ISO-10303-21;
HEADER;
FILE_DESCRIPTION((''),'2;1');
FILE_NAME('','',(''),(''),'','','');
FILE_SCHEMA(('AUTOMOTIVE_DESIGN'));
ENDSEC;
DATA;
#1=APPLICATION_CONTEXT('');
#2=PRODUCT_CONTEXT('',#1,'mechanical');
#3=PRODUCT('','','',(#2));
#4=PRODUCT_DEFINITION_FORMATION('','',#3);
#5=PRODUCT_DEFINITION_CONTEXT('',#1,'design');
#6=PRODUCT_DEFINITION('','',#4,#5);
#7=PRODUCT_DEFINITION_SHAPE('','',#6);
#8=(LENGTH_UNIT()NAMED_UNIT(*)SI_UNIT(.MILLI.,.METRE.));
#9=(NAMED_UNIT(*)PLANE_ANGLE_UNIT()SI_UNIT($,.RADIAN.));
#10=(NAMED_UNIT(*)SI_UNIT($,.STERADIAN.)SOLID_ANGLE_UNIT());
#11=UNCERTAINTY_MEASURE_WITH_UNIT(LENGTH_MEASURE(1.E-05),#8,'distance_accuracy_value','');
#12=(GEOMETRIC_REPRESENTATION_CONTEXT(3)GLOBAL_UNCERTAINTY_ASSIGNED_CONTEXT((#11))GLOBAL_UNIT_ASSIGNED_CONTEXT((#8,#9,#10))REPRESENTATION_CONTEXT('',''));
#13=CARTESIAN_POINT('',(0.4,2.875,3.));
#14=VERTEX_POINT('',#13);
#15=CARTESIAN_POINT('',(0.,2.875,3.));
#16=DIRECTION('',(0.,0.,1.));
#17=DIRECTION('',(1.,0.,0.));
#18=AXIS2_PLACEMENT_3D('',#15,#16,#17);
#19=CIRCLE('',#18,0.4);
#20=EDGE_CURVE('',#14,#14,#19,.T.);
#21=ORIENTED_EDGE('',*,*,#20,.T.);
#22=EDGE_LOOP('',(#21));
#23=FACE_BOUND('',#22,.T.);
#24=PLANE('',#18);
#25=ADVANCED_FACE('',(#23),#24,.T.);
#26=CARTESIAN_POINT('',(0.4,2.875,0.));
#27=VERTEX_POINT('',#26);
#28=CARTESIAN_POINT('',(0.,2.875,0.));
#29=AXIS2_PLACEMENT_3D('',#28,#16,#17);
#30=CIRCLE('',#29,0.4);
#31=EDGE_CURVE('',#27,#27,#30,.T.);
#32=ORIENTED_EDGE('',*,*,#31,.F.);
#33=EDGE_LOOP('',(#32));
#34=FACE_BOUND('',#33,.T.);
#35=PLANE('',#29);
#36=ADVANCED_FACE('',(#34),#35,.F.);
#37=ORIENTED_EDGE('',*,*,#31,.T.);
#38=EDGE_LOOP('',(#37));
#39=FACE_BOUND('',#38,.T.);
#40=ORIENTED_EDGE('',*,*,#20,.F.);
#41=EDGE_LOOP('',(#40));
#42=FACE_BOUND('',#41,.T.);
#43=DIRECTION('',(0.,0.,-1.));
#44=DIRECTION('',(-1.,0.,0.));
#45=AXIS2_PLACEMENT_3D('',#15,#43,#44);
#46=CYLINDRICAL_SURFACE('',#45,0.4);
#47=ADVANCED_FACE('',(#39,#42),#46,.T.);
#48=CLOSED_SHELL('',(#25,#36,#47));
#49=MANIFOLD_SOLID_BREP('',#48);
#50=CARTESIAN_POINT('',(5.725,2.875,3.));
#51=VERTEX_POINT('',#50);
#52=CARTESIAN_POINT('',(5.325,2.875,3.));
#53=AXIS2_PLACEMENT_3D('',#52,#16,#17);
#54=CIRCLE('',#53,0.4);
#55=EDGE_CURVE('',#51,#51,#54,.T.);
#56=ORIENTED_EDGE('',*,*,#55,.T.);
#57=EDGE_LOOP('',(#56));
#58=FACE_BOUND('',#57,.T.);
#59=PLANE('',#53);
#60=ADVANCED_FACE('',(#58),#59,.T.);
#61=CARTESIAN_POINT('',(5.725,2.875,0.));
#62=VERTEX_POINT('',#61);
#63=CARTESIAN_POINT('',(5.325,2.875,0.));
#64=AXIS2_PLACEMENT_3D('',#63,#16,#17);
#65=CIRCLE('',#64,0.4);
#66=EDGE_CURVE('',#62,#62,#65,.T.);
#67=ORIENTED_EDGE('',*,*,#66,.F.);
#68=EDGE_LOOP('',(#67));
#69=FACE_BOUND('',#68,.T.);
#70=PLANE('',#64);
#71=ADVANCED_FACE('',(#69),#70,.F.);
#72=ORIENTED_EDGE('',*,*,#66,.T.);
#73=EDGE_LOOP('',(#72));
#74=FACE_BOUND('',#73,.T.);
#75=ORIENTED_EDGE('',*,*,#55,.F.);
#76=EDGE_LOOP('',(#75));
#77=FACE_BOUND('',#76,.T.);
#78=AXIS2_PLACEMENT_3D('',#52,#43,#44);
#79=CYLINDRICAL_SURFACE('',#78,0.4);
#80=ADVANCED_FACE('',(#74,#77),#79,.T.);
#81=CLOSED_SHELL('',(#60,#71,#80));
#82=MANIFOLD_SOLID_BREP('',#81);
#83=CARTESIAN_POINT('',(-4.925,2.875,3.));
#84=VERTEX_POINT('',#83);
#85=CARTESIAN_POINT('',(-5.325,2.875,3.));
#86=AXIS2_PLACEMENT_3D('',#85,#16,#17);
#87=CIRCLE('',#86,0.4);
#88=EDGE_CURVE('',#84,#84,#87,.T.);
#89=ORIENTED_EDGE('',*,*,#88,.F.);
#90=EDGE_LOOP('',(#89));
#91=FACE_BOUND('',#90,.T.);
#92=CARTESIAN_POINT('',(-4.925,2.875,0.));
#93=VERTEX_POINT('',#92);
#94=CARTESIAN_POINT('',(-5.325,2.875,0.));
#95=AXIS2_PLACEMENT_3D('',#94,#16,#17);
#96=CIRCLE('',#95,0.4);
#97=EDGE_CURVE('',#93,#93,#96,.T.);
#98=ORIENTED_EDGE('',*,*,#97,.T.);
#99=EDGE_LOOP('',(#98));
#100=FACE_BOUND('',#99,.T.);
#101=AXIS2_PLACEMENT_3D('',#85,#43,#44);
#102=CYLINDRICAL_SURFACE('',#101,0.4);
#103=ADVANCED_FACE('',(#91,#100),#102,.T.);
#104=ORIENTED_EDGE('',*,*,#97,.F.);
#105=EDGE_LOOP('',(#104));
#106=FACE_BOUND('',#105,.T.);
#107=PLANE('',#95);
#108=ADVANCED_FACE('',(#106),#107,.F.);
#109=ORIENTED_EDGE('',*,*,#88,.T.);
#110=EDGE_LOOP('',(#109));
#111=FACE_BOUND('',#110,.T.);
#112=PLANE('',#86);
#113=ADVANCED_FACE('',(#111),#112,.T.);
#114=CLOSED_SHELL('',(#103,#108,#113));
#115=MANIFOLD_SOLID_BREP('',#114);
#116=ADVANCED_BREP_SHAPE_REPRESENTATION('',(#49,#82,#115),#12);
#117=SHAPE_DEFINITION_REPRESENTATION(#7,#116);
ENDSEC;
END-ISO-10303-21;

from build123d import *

# Parameters (mm, degrees)
SKETCH1_R        = 0.4
EXTRUDE1_DEPTH   = 3
EXTRUDE1_2_DEPTH = 3
EXTRUDE1_3_DEPTH = 3


with BuildPart() as part:
    # Sketch1 → Extrude1 (new body)
    with BuildSketch(Plane.XY):
        with Locations((0, 2.875)):
            Circle(SKETCH1_R)
    extrude(amount=EXTRUDE1_DEPTH)


with BuildPart() as body_2:
    # Sketch1 → Extrude1 2 (new body)
    with BuildSketch(Plane.XY):
        with Locations((-5.325, 2.875)):
            Circle(SKETCH1_R)
    extrude(amount=EXTRUDE1_2_DEPTH)


with BuildPart() as body_3:
    # Sketch1 → Extrude1 3 (new body)
    with BuildSketch(Plane.XY):
        with Locations((5.325, 2.875)):
            Circle(SKETCH1_R)
    extrude(amount=EXTRUDE1_3_DEPTH)


solid = Compound([part.part, body_2.part, body_3.part])
